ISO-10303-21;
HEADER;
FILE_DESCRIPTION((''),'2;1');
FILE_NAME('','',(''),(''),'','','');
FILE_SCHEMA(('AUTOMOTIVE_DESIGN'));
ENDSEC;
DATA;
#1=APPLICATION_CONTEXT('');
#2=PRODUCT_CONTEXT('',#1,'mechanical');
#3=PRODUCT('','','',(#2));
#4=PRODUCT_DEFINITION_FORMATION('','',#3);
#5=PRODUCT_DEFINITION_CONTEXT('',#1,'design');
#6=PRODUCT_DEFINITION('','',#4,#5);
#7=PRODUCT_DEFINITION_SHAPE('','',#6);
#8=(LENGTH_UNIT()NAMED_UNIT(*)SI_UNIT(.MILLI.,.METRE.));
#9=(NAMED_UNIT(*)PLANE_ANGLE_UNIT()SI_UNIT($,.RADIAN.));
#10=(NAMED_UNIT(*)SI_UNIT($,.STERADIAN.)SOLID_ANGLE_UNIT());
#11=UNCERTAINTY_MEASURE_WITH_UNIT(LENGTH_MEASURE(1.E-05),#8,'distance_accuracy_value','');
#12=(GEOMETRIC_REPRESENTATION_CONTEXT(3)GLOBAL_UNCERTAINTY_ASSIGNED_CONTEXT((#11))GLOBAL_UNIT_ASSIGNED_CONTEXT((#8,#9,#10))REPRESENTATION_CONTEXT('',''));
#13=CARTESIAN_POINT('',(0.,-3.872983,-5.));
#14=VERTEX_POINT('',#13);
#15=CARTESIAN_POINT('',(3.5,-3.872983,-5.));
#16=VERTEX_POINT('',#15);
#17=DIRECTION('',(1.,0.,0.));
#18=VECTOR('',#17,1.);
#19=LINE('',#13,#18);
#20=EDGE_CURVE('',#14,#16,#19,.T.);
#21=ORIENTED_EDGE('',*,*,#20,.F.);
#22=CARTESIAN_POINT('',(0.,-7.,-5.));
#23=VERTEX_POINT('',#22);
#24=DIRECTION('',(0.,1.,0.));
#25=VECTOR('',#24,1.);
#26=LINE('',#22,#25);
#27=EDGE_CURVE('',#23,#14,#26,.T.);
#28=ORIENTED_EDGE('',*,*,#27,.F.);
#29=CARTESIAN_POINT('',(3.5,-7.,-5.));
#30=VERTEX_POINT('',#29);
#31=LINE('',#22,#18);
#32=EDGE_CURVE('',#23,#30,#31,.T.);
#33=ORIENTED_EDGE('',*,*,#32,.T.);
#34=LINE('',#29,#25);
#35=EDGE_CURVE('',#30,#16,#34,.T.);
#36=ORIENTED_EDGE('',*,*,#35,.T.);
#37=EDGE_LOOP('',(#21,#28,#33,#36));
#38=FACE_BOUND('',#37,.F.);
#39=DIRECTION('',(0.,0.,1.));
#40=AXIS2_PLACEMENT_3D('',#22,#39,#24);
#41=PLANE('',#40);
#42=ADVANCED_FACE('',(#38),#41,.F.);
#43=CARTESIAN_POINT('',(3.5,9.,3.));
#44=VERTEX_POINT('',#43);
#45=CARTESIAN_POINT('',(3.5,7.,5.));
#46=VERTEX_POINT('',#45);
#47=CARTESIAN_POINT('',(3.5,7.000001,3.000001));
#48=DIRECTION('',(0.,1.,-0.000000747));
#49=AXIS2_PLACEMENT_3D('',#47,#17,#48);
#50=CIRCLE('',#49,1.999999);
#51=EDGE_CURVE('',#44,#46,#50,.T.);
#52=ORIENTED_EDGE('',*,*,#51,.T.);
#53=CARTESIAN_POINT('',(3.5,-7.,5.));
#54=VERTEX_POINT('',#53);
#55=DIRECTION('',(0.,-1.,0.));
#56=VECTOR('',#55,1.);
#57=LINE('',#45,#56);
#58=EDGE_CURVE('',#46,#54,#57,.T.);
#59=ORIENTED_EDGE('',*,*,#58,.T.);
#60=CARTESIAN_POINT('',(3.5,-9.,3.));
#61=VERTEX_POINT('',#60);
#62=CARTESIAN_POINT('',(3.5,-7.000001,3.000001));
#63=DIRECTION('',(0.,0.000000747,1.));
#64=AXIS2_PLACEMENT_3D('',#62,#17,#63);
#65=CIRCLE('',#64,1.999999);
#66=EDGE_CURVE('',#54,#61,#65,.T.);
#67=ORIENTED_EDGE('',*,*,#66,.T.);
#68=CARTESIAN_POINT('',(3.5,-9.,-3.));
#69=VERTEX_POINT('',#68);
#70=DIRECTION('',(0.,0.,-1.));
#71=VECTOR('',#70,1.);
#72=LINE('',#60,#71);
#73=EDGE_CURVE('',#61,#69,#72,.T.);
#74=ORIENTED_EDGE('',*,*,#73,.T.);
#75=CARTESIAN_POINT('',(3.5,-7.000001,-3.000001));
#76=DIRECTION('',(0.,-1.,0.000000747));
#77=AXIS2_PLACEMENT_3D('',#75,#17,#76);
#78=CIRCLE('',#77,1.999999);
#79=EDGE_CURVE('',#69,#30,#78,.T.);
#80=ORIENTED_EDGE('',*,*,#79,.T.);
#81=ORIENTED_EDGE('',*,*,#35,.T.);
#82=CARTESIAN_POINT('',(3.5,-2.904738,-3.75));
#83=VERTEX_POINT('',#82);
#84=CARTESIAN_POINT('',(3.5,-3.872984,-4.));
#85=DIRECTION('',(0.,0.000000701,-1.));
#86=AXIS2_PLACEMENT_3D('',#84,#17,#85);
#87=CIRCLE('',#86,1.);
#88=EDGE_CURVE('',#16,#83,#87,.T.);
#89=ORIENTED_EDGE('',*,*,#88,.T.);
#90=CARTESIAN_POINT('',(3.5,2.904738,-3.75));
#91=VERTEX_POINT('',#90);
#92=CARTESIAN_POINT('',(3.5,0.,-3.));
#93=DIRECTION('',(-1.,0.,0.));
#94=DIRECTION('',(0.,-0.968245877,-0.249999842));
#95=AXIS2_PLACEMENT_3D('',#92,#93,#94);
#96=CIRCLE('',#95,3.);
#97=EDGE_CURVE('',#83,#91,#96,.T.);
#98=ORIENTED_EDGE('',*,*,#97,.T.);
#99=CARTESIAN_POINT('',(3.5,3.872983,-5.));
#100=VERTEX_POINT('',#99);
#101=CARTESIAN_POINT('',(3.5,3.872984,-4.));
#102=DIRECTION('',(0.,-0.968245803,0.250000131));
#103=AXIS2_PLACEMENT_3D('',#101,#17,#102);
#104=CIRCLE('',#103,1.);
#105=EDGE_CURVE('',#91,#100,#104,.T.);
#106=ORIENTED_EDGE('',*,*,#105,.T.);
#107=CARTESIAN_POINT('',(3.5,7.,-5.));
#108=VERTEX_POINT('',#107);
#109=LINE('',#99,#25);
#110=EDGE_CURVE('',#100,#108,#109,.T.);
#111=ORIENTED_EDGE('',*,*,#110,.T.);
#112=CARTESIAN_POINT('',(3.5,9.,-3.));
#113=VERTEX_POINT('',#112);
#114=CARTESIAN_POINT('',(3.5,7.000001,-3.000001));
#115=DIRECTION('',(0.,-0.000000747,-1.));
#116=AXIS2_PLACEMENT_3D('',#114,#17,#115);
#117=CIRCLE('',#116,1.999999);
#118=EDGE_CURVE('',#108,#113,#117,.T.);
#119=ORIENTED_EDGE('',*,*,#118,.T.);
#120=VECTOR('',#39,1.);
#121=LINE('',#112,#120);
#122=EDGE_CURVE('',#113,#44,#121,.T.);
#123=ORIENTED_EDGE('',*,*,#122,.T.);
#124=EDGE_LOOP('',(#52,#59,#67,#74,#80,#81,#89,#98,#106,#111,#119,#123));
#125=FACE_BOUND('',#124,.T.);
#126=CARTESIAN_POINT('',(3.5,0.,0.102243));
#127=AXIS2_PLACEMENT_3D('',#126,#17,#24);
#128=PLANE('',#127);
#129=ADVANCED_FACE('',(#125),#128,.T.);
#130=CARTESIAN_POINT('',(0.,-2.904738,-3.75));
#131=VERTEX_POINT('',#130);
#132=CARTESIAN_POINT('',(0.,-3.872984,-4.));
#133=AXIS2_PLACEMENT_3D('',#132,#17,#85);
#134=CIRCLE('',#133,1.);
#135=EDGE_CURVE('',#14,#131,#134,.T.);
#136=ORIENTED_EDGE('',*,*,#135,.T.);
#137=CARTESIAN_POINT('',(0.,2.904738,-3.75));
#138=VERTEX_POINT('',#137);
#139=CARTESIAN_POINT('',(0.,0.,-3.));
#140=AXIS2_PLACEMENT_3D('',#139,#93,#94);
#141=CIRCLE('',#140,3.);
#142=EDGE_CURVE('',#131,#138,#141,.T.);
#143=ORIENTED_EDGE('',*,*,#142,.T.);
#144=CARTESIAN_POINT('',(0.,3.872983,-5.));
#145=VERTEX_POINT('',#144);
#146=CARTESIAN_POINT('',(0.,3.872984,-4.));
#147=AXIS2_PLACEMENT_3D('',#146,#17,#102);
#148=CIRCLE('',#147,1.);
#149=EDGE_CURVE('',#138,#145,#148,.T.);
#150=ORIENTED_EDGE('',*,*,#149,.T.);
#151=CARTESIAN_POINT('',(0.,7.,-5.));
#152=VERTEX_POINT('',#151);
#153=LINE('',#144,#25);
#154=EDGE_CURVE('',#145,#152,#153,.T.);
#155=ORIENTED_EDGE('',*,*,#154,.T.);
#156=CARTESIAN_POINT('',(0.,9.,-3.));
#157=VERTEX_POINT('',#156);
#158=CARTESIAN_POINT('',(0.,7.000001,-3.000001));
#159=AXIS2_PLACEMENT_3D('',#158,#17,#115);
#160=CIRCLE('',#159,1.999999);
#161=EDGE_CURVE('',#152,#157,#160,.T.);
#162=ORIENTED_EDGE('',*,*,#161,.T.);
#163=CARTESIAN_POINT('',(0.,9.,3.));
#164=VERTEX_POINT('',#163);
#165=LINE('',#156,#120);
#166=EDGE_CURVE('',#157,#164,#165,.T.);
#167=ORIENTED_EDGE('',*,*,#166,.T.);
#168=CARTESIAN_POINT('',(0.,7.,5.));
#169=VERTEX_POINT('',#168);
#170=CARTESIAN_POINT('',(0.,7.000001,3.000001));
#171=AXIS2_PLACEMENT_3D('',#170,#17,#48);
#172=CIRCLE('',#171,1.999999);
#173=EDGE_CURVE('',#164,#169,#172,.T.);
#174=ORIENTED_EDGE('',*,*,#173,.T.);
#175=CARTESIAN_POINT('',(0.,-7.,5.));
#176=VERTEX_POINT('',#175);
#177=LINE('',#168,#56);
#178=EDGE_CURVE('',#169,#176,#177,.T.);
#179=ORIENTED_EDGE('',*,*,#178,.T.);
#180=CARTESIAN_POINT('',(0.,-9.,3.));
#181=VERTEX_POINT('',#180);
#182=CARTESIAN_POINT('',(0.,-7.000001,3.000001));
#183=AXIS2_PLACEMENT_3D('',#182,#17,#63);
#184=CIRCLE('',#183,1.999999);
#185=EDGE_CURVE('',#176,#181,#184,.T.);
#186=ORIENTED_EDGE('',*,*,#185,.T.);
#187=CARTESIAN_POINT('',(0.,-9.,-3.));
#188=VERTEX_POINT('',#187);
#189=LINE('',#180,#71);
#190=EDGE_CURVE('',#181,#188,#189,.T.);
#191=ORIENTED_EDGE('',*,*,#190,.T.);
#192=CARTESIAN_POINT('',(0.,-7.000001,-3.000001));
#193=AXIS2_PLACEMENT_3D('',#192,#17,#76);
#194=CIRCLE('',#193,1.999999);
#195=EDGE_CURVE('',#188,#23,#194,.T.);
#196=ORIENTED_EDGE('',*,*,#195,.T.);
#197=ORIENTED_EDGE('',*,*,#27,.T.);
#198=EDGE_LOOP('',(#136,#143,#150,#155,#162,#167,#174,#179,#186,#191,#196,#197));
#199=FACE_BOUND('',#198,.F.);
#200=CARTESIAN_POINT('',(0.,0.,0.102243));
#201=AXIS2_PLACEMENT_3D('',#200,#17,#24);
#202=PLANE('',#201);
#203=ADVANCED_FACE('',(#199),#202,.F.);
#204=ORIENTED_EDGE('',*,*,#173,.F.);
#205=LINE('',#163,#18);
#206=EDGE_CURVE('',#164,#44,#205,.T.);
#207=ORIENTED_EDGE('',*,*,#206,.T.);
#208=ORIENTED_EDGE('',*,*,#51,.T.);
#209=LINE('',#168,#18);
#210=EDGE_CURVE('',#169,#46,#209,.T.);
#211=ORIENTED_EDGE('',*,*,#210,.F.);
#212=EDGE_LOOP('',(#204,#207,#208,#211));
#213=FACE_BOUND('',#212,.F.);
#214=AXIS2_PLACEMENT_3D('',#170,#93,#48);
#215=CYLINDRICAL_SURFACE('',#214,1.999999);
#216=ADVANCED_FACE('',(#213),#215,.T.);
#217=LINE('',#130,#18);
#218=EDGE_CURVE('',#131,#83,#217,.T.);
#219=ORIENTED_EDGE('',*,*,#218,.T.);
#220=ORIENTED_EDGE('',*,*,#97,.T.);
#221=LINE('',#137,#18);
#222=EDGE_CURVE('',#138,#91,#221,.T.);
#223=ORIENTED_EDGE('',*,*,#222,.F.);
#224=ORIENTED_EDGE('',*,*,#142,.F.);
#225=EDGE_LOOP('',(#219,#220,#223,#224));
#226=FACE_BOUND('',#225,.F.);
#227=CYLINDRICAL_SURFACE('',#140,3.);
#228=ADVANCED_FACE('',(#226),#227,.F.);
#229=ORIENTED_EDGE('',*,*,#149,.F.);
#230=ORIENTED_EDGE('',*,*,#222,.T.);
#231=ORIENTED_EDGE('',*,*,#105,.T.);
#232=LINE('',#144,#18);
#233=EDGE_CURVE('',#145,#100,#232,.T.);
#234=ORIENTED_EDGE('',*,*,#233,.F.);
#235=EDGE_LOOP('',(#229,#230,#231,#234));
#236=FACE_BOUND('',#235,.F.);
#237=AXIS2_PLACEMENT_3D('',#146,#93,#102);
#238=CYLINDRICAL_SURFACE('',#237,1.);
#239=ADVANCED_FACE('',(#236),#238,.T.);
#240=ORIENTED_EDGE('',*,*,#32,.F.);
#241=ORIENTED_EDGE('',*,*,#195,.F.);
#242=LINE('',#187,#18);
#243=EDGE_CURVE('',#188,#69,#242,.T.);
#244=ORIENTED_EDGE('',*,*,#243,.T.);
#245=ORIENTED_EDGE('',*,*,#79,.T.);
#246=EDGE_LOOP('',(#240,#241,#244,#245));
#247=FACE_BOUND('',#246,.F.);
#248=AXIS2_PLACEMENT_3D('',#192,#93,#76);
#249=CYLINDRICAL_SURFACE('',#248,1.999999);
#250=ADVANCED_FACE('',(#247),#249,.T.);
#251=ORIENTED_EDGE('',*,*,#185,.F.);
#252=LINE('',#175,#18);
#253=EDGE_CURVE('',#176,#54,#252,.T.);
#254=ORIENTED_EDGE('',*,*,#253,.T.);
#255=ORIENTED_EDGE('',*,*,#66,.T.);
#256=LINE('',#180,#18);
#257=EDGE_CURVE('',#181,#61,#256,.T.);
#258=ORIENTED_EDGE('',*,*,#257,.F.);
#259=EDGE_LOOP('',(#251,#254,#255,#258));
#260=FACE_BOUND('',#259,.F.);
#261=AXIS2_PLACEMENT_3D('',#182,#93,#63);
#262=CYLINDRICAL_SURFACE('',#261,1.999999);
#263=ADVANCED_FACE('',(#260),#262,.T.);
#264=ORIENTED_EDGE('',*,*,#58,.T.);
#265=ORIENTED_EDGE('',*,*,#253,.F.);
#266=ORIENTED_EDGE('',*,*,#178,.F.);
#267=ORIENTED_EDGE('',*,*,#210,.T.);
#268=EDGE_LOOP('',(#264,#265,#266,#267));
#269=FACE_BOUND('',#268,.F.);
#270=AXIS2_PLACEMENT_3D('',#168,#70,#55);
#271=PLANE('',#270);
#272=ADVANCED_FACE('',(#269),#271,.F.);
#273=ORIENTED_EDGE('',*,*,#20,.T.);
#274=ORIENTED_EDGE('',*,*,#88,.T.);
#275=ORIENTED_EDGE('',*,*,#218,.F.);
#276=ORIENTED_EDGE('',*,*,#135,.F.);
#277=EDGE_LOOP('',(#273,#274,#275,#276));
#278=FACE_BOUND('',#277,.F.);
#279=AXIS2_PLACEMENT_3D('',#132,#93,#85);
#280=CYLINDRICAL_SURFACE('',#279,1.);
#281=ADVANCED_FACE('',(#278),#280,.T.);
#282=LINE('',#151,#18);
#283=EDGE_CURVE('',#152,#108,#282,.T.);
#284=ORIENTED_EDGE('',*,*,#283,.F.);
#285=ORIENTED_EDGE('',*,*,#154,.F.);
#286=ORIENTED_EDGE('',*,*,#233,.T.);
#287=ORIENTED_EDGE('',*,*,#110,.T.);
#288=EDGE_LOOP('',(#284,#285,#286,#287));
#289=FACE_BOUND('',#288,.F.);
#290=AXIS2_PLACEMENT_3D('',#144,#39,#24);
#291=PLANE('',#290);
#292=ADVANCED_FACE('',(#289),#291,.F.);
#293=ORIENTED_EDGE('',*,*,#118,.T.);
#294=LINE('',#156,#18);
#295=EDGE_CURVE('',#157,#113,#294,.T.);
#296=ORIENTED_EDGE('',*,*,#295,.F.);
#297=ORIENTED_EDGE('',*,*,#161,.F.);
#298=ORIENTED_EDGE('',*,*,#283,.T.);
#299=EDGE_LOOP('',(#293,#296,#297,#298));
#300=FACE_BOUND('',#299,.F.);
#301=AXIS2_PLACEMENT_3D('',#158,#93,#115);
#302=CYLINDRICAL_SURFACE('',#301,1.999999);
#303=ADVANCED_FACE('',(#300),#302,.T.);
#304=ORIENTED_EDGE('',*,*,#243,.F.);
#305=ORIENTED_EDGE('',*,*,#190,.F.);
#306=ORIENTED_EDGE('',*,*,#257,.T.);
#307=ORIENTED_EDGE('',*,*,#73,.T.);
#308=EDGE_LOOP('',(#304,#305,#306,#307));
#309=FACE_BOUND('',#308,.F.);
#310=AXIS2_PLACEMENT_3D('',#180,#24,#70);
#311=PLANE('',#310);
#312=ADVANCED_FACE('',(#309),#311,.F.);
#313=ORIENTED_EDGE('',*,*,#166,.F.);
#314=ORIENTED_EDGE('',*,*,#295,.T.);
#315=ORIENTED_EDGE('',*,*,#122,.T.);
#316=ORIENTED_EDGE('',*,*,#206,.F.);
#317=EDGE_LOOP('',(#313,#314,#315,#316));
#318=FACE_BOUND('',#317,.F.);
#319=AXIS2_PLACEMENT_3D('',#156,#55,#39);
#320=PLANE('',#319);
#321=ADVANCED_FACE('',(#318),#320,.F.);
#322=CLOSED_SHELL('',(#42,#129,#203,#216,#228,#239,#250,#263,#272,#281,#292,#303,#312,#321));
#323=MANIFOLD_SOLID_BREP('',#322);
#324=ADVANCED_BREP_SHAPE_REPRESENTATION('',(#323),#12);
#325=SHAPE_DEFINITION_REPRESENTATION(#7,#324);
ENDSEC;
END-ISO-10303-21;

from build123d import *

# Parameters (mm, degrees)
F1_DEPTH = 3.5


with BuildPart() as f1:
    # F0 (on Right) → F1 (new body)
    with BuildSketch(Plane.YZ):
        with BuildLine():
            Line((7, 5), (-7, 5))
            ThreePointArc((-7, 5), (-8.414214, 4.414214), (-9, 3))
            Line((-9, 3), (-9, -3))
            ThreePointArc((-9, -3), (-8.414214, -4.414214), (-7, -5))
            Line((-7, -5), (-3.872983, -5))
            ThreePointArc((-3.872983, -5), (-3.082414, -4.612372), (-2.904738, -3.75))
            ThreePointArc((-2.904738, -3.75), (0, 0), (2.904738, -3.75))
            ThreePointArc((2.904738, -3.75), (3.082414, -4.612372), (3.872983, -5))
            Line((3.872983, -5), (7, -5))
            ThreePointArc((7, -5), (8.414214, -4.414214), (9, -3))
            Line((9, -3), (9, 3))
            ThreePointArc((9, 3), (8.414214, 4.414214), (7, 5))
        make_face()
    extrude(amount=F1_DEPTH)


solid = f1.part
